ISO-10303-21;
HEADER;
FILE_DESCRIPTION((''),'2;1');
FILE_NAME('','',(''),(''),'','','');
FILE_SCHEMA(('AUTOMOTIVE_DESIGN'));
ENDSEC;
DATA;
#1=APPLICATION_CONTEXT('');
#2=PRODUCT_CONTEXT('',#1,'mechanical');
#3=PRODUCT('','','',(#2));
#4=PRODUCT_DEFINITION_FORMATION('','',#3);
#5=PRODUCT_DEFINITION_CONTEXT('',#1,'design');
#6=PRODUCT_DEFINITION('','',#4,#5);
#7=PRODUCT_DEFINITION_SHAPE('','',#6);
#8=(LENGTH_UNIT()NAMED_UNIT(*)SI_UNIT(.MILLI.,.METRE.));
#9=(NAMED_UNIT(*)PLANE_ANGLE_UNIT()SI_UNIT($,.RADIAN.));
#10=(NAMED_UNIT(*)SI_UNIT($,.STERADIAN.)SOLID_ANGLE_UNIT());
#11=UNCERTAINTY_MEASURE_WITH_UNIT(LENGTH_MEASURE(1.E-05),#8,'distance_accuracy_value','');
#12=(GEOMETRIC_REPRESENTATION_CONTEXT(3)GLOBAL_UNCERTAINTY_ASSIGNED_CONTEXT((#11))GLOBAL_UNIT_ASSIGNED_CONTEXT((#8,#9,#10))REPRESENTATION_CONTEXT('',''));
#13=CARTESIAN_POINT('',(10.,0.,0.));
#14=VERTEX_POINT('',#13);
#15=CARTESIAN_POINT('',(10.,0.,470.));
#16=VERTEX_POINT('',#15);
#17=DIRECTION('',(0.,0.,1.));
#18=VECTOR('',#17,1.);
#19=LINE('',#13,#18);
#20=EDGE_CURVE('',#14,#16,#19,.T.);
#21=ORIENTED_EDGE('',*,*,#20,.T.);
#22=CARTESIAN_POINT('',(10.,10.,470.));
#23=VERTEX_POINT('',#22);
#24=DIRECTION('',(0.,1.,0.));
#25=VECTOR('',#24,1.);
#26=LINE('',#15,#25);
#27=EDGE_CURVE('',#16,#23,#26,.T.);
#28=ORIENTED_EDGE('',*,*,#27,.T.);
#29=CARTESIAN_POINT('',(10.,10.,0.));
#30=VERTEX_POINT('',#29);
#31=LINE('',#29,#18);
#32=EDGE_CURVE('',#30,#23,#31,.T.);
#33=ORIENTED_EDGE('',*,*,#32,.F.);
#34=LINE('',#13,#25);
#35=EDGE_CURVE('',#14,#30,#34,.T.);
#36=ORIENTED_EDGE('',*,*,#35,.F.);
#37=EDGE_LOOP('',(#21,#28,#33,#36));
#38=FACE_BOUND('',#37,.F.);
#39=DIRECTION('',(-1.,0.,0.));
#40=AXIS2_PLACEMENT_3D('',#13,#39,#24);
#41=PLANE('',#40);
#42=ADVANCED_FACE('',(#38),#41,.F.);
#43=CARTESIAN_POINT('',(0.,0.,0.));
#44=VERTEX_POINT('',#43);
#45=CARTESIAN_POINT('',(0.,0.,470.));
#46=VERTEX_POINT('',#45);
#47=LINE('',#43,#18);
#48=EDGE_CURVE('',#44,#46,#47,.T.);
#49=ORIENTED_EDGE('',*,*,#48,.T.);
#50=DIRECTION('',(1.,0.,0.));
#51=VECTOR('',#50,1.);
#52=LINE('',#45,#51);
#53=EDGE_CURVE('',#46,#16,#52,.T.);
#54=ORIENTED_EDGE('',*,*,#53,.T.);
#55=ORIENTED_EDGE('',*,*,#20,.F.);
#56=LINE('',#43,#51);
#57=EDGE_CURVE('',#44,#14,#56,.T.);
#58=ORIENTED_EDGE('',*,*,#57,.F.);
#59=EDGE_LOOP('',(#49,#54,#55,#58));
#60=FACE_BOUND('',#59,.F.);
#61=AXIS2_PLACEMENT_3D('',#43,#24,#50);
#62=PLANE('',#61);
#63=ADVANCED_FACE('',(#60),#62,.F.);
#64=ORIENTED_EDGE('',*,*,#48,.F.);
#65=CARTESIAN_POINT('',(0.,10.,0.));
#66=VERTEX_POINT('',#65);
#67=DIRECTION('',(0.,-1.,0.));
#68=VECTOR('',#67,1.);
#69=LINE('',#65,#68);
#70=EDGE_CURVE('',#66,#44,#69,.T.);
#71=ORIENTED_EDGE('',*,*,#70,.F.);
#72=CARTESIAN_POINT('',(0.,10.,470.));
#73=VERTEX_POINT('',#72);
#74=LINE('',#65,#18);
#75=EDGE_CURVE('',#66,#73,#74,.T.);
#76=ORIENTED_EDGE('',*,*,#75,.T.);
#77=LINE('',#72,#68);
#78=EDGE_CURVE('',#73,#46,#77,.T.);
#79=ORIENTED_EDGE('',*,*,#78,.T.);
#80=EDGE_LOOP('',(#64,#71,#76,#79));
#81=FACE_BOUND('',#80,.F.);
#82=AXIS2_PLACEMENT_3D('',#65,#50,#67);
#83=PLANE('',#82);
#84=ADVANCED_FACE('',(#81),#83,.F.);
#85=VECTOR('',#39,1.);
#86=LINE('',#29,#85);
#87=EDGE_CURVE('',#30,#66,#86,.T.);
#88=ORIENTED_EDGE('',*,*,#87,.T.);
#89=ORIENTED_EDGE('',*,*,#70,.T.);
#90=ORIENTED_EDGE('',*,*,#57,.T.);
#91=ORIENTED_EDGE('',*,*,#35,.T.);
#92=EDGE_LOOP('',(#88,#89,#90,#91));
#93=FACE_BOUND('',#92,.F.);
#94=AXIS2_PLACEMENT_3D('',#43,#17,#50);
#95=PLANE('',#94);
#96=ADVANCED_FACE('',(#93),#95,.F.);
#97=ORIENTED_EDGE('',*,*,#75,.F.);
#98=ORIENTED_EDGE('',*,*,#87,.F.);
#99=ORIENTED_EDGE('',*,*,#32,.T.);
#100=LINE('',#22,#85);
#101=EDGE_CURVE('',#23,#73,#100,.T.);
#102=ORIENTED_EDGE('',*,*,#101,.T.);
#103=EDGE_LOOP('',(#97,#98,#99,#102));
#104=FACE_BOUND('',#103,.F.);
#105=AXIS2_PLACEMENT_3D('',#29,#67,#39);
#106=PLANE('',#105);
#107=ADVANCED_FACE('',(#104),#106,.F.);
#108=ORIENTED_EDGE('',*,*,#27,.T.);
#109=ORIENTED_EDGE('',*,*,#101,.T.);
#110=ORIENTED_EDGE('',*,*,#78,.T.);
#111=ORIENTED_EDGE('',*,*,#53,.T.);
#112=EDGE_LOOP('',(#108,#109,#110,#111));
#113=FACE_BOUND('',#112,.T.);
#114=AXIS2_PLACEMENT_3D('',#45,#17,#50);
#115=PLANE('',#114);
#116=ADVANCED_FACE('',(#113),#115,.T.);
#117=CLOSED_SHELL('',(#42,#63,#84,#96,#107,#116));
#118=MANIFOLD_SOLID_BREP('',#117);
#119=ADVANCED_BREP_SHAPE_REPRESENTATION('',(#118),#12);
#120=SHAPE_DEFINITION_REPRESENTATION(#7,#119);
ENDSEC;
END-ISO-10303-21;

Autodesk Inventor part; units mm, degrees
ref_plane "YZ Plane" through (0, 0, 0) normal (1, 0, 0) x (0, 1, 0)
ref_plane "XZ Plane" through (0, 0, 0) normal (0, 1, 0) x (-1, 0, 0)
ref_plane "XY Plane" through (0, 0, 0) normal (0, 0, 1) x (1, 0, 0)
sketch "Sketch1" plane through (0, 0, 0) normal (0, 0, 1) x (1, 0, 0)
  line L0 (0, 0) -> (10, 0)
  line L1 (10, 0) -> (10, 10)
  line L2 (10, 10) -> (0, 10)
  line L3 (0, 10) -> (0, 0)
  dimension "d0" = 10
  dimension "d1" = 10
extrude "Extrusion1" add sketch "Sketch1" along normal blind 470
properties part number "rib"
